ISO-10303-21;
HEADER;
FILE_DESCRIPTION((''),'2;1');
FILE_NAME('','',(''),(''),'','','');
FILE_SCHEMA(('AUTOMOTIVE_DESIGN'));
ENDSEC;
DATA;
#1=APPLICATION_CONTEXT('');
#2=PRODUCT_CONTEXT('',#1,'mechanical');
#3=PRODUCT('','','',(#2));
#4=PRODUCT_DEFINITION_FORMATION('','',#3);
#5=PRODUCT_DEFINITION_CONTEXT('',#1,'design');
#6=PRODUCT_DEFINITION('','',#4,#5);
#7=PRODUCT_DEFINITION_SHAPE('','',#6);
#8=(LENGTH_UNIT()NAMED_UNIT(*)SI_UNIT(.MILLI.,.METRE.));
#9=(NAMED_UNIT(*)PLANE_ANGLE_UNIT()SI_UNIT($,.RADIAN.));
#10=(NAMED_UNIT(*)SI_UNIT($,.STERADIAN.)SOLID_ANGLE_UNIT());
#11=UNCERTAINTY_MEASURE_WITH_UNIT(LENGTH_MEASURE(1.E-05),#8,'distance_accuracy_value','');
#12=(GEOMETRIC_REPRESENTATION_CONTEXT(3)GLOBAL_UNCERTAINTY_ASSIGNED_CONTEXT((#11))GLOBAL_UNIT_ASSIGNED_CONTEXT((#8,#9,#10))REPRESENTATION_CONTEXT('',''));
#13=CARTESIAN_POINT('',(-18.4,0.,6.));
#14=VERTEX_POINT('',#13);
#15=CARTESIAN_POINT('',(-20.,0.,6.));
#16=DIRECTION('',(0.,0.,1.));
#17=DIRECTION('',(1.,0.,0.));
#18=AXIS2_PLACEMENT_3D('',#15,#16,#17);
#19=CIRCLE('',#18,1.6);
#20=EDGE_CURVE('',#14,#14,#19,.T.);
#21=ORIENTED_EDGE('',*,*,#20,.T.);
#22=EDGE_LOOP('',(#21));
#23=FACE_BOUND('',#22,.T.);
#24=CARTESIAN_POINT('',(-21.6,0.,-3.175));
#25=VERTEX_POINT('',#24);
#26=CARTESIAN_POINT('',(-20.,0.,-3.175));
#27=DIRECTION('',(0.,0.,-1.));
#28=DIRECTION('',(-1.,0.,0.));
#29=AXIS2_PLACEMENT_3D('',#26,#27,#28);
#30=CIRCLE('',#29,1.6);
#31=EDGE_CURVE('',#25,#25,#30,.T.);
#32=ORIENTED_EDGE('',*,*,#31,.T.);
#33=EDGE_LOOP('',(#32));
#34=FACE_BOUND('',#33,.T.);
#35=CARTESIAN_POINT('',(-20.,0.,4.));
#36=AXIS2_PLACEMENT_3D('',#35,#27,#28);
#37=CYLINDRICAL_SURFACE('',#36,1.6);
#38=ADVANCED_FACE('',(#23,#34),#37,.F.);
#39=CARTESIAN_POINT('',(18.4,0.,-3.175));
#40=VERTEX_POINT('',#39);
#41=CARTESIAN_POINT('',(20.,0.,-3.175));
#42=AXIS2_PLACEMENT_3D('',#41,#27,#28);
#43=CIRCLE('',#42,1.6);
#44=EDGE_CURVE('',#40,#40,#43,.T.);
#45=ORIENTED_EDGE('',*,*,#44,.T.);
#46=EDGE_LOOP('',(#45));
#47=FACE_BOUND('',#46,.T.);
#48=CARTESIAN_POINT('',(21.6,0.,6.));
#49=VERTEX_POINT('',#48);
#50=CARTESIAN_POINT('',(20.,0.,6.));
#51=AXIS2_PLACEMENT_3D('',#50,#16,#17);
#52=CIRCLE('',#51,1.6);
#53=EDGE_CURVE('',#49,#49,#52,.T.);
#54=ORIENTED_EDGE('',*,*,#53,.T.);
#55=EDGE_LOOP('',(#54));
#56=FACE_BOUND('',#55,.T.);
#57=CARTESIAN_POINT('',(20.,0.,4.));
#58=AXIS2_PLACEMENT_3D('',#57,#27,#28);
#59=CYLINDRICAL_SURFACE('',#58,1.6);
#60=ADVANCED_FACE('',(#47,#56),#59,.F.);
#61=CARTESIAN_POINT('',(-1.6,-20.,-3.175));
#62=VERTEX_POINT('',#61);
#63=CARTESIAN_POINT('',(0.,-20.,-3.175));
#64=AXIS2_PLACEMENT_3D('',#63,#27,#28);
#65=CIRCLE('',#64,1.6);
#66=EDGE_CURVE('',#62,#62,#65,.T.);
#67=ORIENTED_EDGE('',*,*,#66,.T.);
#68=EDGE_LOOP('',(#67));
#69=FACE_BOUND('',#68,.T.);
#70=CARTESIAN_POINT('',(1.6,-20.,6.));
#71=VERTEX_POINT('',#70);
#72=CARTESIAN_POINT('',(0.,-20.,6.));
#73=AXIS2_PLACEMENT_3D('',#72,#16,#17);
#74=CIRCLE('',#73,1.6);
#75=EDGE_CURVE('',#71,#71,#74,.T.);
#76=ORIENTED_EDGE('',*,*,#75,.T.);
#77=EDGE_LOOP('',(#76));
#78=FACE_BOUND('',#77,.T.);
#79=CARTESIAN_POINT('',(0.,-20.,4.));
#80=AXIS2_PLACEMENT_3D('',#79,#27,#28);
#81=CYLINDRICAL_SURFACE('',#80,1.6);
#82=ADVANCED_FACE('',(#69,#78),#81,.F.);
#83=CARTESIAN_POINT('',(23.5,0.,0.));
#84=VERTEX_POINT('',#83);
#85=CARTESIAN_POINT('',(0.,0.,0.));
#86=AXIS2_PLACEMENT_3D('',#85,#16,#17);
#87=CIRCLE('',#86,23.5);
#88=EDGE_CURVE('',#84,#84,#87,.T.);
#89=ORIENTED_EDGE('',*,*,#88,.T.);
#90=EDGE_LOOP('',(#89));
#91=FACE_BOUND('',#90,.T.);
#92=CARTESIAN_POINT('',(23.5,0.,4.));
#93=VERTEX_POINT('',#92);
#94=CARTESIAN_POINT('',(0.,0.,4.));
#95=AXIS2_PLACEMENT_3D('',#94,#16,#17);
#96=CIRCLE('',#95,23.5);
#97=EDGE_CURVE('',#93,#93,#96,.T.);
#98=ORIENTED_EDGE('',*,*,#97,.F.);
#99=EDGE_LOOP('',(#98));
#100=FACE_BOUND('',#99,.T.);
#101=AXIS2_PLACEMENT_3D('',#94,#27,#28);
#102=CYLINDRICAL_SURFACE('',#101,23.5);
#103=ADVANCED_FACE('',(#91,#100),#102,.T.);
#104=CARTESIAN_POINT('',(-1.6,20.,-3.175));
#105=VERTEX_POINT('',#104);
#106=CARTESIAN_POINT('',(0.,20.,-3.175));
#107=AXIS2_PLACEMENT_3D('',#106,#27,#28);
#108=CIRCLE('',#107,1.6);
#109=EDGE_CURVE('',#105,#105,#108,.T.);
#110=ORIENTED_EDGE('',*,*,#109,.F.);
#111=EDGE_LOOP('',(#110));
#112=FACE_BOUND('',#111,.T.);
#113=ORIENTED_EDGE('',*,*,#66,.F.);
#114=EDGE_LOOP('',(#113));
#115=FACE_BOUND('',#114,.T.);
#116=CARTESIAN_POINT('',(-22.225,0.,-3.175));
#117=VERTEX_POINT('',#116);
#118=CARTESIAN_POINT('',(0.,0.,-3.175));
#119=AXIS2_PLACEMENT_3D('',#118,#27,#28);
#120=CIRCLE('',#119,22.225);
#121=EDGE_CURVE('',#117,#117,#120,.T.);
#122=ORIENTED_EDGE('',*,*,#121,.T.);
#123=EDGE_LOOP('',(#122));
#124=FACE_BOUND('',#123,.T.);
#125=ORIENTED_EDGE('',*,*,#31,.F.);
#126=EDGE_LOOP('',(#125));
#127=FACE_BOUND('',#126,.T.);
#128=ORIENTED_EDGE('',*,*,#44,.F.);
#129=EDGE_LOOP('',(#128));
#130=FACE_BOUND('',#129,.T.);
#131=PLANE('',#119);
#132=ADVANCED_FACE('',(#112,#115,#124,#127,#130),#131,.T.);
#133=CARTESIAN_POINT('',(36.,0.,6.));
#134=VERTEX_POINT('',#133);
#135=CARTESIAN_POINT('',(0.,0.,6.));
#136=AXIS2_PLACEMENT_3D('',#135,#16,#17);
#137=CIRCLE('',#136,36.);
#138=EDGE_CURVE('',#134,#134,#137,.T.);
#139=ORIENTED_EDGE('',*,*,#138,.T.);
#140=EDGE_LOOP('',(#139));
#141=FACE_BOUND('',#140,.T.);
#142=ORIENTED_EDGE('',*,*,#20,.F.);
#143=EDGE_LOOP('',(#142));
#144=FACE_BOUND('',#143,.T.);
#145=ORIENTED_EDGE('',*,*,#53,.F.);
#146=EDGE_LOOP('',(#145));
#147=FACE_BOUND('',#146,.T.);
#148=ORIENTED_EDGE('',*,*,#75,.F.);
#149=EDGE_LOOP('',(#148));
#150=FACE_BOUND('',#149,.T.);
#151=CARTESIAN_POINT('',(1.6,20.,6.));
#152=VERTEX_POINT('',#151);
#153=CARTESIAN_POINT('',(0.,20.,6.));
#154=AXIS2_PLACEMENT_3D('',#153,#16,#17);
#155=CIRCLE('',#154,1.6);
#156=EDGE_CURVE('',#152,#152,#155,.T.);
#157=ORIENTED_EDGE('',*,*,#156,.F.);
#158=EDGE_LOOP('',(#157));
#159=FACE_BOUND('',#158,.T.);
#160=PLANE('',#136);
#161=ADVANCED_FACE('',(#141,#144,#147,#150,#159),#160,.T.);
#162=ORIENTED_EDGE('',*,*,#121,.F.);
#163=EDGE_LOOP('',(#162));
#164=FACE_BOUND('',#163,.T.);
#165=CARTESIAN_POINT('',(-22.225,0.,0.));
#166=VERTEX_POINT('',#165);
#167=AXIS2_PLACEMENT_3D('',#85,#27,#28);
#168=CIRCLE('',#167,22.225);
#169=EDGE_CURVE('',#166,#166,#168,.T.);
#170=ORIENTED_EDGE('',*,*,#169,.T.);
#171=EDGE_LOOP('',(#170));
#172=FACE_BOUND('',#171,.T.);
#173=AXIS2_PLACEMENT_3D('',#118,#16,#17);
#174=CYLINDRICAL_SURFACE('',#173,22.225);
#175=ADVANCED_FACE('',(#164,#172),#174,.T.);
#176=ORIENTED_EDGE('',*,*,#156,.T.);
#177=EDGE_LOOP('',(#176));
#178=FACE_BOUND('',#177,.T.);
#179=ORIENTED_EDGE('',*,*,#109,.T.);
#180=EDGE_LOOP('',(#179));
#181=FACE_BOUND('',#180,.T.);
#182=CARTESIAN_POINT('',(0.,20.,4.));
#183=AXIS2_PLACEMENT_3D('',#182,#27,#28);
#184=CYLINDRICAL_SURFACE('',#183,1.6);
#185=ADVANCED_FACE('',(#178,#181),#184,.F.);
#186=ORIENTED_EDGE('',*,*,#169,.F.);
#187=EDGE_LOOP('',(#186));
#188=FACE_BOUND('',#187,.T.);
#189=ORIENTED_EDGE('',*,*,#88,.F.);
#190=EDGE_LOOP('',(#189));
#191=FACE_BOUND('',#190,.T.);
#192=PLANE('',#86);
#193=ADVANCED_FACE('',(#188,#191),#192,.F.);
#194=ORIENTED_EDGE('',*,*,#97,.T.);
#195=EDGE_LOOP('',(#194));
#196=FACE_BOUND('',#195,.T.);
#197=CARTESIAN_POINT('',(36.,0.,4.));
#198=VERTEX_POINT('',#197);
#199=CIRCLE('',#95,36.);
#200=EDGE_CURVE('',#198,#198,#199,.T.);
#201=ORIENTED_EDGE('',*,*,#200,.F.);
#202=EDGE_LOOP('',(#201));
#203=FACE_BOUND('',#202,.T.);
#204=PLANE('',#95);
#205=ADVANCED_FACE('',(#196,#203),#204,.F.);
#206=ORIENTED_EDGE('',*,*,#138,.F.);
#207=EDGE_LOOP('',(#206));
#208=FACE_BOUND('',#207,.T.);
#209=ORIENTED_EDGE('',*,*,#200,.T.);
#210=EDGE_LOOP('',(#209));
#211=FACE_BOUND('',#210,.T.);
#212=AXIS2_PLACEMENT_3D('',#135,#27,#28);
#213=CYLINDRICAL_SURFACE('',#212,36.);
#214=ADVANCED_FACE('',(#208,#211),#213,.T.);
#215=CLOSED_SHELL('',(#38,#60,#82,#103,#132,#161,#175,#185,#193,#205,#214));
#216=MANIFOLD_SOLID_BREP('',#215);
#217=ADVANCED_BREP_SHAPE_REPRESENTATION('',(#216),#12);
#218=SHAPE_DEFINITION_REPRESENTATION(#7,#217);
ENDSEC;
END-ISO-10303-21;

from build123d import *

# Parameters (mm, degrees)
SKETCH_1_R          = 23.5
EXTRUDE_1_DEPTH     = 4
SKETCH_2_R          = 22.225
EXTRUDE_2_DEPTH     = 3.175
SKETCH_3_R          = 1.6
CUT_EXTRUDE_1_DEPTH = 34.999715072
SKETCH_4_R          = 36
SKETCH_4_R_2        = 1.6
EXTRUDE_3_DEPTH     = 2


with BuildPart() as part:
    # ｽｹｯﾁ1 → ﾎﾞｽ - 押し出し1 (new body)
    with BuildSketch(Plane.XY):
        Circle(SKETCH_1_R)
    extrude(amount=EXTRUDE_1_DEPTH)

    # ｽｹｯﾁ2 → ﾎﾞｽ - 押し出し2 (add)
    with BuildSketch(Plane(origin=(0, 0, 0), x_dir=(-1, 0, 0), z_dir=(0, 0, -1))):
        Circle(SKETCH_2_R)
    extrude(amount=EXTRUDE_2_DEPTH)

    # ｽｹｯﾁ3 → ｶｯﾄ - 押し出し1 (cut, through all)
    with BuildSketch(Plane(origin=(0, 0, -3.175), x_dir=(-1, 0, 0), z_dir=(0, 0, -1))):
        with Locations((0, 20)):
            Circle(SKETCH_3_R)
        with Locations((20, 0)):
            Circle(SKETCH_3_R)
        with Locations((0, -20)):
            Circle(SKETCH_3_R)
        with Locations((-20, 0)):
            Circle(SKETCH_3_R)
    extrude(amount=-CUT_EXTRUDE_1_DEPTH, mode=Mode.SUBTRACT)

    # ｽｹｯﾁ4 → ﾎﾞｽ - 押し出し3 (add)
    with BuildSketch(Plane.XY.offset(4)):
        Circle(SKETCH_4_R)
        with Locations(Location((0, 20, 0), (0, 0, 180))):
            Circle(SKETCH_4_R_2, mode=Mode.SUBTRACT)
        with Locations(Location((-20, 0, 0), (0, 0, 180))):
            Circle(SKETCH_4_R_2, mode=Mode.SUBTRACT)
        with Locations(Location((0, -20, 0), (0, 0, 180))):
            Circle(SKETCH_4_R_2, mode=Mode.SUBTRACT)
        with Locations(Location((20, 0, 0), (0, 0, 180))):
            Circle(SKETCH_4_R_2, mode=Mode.SUBTRACT)
    extrude(amount=EXTRUDE_3_DEPTH)


solid = part.part
